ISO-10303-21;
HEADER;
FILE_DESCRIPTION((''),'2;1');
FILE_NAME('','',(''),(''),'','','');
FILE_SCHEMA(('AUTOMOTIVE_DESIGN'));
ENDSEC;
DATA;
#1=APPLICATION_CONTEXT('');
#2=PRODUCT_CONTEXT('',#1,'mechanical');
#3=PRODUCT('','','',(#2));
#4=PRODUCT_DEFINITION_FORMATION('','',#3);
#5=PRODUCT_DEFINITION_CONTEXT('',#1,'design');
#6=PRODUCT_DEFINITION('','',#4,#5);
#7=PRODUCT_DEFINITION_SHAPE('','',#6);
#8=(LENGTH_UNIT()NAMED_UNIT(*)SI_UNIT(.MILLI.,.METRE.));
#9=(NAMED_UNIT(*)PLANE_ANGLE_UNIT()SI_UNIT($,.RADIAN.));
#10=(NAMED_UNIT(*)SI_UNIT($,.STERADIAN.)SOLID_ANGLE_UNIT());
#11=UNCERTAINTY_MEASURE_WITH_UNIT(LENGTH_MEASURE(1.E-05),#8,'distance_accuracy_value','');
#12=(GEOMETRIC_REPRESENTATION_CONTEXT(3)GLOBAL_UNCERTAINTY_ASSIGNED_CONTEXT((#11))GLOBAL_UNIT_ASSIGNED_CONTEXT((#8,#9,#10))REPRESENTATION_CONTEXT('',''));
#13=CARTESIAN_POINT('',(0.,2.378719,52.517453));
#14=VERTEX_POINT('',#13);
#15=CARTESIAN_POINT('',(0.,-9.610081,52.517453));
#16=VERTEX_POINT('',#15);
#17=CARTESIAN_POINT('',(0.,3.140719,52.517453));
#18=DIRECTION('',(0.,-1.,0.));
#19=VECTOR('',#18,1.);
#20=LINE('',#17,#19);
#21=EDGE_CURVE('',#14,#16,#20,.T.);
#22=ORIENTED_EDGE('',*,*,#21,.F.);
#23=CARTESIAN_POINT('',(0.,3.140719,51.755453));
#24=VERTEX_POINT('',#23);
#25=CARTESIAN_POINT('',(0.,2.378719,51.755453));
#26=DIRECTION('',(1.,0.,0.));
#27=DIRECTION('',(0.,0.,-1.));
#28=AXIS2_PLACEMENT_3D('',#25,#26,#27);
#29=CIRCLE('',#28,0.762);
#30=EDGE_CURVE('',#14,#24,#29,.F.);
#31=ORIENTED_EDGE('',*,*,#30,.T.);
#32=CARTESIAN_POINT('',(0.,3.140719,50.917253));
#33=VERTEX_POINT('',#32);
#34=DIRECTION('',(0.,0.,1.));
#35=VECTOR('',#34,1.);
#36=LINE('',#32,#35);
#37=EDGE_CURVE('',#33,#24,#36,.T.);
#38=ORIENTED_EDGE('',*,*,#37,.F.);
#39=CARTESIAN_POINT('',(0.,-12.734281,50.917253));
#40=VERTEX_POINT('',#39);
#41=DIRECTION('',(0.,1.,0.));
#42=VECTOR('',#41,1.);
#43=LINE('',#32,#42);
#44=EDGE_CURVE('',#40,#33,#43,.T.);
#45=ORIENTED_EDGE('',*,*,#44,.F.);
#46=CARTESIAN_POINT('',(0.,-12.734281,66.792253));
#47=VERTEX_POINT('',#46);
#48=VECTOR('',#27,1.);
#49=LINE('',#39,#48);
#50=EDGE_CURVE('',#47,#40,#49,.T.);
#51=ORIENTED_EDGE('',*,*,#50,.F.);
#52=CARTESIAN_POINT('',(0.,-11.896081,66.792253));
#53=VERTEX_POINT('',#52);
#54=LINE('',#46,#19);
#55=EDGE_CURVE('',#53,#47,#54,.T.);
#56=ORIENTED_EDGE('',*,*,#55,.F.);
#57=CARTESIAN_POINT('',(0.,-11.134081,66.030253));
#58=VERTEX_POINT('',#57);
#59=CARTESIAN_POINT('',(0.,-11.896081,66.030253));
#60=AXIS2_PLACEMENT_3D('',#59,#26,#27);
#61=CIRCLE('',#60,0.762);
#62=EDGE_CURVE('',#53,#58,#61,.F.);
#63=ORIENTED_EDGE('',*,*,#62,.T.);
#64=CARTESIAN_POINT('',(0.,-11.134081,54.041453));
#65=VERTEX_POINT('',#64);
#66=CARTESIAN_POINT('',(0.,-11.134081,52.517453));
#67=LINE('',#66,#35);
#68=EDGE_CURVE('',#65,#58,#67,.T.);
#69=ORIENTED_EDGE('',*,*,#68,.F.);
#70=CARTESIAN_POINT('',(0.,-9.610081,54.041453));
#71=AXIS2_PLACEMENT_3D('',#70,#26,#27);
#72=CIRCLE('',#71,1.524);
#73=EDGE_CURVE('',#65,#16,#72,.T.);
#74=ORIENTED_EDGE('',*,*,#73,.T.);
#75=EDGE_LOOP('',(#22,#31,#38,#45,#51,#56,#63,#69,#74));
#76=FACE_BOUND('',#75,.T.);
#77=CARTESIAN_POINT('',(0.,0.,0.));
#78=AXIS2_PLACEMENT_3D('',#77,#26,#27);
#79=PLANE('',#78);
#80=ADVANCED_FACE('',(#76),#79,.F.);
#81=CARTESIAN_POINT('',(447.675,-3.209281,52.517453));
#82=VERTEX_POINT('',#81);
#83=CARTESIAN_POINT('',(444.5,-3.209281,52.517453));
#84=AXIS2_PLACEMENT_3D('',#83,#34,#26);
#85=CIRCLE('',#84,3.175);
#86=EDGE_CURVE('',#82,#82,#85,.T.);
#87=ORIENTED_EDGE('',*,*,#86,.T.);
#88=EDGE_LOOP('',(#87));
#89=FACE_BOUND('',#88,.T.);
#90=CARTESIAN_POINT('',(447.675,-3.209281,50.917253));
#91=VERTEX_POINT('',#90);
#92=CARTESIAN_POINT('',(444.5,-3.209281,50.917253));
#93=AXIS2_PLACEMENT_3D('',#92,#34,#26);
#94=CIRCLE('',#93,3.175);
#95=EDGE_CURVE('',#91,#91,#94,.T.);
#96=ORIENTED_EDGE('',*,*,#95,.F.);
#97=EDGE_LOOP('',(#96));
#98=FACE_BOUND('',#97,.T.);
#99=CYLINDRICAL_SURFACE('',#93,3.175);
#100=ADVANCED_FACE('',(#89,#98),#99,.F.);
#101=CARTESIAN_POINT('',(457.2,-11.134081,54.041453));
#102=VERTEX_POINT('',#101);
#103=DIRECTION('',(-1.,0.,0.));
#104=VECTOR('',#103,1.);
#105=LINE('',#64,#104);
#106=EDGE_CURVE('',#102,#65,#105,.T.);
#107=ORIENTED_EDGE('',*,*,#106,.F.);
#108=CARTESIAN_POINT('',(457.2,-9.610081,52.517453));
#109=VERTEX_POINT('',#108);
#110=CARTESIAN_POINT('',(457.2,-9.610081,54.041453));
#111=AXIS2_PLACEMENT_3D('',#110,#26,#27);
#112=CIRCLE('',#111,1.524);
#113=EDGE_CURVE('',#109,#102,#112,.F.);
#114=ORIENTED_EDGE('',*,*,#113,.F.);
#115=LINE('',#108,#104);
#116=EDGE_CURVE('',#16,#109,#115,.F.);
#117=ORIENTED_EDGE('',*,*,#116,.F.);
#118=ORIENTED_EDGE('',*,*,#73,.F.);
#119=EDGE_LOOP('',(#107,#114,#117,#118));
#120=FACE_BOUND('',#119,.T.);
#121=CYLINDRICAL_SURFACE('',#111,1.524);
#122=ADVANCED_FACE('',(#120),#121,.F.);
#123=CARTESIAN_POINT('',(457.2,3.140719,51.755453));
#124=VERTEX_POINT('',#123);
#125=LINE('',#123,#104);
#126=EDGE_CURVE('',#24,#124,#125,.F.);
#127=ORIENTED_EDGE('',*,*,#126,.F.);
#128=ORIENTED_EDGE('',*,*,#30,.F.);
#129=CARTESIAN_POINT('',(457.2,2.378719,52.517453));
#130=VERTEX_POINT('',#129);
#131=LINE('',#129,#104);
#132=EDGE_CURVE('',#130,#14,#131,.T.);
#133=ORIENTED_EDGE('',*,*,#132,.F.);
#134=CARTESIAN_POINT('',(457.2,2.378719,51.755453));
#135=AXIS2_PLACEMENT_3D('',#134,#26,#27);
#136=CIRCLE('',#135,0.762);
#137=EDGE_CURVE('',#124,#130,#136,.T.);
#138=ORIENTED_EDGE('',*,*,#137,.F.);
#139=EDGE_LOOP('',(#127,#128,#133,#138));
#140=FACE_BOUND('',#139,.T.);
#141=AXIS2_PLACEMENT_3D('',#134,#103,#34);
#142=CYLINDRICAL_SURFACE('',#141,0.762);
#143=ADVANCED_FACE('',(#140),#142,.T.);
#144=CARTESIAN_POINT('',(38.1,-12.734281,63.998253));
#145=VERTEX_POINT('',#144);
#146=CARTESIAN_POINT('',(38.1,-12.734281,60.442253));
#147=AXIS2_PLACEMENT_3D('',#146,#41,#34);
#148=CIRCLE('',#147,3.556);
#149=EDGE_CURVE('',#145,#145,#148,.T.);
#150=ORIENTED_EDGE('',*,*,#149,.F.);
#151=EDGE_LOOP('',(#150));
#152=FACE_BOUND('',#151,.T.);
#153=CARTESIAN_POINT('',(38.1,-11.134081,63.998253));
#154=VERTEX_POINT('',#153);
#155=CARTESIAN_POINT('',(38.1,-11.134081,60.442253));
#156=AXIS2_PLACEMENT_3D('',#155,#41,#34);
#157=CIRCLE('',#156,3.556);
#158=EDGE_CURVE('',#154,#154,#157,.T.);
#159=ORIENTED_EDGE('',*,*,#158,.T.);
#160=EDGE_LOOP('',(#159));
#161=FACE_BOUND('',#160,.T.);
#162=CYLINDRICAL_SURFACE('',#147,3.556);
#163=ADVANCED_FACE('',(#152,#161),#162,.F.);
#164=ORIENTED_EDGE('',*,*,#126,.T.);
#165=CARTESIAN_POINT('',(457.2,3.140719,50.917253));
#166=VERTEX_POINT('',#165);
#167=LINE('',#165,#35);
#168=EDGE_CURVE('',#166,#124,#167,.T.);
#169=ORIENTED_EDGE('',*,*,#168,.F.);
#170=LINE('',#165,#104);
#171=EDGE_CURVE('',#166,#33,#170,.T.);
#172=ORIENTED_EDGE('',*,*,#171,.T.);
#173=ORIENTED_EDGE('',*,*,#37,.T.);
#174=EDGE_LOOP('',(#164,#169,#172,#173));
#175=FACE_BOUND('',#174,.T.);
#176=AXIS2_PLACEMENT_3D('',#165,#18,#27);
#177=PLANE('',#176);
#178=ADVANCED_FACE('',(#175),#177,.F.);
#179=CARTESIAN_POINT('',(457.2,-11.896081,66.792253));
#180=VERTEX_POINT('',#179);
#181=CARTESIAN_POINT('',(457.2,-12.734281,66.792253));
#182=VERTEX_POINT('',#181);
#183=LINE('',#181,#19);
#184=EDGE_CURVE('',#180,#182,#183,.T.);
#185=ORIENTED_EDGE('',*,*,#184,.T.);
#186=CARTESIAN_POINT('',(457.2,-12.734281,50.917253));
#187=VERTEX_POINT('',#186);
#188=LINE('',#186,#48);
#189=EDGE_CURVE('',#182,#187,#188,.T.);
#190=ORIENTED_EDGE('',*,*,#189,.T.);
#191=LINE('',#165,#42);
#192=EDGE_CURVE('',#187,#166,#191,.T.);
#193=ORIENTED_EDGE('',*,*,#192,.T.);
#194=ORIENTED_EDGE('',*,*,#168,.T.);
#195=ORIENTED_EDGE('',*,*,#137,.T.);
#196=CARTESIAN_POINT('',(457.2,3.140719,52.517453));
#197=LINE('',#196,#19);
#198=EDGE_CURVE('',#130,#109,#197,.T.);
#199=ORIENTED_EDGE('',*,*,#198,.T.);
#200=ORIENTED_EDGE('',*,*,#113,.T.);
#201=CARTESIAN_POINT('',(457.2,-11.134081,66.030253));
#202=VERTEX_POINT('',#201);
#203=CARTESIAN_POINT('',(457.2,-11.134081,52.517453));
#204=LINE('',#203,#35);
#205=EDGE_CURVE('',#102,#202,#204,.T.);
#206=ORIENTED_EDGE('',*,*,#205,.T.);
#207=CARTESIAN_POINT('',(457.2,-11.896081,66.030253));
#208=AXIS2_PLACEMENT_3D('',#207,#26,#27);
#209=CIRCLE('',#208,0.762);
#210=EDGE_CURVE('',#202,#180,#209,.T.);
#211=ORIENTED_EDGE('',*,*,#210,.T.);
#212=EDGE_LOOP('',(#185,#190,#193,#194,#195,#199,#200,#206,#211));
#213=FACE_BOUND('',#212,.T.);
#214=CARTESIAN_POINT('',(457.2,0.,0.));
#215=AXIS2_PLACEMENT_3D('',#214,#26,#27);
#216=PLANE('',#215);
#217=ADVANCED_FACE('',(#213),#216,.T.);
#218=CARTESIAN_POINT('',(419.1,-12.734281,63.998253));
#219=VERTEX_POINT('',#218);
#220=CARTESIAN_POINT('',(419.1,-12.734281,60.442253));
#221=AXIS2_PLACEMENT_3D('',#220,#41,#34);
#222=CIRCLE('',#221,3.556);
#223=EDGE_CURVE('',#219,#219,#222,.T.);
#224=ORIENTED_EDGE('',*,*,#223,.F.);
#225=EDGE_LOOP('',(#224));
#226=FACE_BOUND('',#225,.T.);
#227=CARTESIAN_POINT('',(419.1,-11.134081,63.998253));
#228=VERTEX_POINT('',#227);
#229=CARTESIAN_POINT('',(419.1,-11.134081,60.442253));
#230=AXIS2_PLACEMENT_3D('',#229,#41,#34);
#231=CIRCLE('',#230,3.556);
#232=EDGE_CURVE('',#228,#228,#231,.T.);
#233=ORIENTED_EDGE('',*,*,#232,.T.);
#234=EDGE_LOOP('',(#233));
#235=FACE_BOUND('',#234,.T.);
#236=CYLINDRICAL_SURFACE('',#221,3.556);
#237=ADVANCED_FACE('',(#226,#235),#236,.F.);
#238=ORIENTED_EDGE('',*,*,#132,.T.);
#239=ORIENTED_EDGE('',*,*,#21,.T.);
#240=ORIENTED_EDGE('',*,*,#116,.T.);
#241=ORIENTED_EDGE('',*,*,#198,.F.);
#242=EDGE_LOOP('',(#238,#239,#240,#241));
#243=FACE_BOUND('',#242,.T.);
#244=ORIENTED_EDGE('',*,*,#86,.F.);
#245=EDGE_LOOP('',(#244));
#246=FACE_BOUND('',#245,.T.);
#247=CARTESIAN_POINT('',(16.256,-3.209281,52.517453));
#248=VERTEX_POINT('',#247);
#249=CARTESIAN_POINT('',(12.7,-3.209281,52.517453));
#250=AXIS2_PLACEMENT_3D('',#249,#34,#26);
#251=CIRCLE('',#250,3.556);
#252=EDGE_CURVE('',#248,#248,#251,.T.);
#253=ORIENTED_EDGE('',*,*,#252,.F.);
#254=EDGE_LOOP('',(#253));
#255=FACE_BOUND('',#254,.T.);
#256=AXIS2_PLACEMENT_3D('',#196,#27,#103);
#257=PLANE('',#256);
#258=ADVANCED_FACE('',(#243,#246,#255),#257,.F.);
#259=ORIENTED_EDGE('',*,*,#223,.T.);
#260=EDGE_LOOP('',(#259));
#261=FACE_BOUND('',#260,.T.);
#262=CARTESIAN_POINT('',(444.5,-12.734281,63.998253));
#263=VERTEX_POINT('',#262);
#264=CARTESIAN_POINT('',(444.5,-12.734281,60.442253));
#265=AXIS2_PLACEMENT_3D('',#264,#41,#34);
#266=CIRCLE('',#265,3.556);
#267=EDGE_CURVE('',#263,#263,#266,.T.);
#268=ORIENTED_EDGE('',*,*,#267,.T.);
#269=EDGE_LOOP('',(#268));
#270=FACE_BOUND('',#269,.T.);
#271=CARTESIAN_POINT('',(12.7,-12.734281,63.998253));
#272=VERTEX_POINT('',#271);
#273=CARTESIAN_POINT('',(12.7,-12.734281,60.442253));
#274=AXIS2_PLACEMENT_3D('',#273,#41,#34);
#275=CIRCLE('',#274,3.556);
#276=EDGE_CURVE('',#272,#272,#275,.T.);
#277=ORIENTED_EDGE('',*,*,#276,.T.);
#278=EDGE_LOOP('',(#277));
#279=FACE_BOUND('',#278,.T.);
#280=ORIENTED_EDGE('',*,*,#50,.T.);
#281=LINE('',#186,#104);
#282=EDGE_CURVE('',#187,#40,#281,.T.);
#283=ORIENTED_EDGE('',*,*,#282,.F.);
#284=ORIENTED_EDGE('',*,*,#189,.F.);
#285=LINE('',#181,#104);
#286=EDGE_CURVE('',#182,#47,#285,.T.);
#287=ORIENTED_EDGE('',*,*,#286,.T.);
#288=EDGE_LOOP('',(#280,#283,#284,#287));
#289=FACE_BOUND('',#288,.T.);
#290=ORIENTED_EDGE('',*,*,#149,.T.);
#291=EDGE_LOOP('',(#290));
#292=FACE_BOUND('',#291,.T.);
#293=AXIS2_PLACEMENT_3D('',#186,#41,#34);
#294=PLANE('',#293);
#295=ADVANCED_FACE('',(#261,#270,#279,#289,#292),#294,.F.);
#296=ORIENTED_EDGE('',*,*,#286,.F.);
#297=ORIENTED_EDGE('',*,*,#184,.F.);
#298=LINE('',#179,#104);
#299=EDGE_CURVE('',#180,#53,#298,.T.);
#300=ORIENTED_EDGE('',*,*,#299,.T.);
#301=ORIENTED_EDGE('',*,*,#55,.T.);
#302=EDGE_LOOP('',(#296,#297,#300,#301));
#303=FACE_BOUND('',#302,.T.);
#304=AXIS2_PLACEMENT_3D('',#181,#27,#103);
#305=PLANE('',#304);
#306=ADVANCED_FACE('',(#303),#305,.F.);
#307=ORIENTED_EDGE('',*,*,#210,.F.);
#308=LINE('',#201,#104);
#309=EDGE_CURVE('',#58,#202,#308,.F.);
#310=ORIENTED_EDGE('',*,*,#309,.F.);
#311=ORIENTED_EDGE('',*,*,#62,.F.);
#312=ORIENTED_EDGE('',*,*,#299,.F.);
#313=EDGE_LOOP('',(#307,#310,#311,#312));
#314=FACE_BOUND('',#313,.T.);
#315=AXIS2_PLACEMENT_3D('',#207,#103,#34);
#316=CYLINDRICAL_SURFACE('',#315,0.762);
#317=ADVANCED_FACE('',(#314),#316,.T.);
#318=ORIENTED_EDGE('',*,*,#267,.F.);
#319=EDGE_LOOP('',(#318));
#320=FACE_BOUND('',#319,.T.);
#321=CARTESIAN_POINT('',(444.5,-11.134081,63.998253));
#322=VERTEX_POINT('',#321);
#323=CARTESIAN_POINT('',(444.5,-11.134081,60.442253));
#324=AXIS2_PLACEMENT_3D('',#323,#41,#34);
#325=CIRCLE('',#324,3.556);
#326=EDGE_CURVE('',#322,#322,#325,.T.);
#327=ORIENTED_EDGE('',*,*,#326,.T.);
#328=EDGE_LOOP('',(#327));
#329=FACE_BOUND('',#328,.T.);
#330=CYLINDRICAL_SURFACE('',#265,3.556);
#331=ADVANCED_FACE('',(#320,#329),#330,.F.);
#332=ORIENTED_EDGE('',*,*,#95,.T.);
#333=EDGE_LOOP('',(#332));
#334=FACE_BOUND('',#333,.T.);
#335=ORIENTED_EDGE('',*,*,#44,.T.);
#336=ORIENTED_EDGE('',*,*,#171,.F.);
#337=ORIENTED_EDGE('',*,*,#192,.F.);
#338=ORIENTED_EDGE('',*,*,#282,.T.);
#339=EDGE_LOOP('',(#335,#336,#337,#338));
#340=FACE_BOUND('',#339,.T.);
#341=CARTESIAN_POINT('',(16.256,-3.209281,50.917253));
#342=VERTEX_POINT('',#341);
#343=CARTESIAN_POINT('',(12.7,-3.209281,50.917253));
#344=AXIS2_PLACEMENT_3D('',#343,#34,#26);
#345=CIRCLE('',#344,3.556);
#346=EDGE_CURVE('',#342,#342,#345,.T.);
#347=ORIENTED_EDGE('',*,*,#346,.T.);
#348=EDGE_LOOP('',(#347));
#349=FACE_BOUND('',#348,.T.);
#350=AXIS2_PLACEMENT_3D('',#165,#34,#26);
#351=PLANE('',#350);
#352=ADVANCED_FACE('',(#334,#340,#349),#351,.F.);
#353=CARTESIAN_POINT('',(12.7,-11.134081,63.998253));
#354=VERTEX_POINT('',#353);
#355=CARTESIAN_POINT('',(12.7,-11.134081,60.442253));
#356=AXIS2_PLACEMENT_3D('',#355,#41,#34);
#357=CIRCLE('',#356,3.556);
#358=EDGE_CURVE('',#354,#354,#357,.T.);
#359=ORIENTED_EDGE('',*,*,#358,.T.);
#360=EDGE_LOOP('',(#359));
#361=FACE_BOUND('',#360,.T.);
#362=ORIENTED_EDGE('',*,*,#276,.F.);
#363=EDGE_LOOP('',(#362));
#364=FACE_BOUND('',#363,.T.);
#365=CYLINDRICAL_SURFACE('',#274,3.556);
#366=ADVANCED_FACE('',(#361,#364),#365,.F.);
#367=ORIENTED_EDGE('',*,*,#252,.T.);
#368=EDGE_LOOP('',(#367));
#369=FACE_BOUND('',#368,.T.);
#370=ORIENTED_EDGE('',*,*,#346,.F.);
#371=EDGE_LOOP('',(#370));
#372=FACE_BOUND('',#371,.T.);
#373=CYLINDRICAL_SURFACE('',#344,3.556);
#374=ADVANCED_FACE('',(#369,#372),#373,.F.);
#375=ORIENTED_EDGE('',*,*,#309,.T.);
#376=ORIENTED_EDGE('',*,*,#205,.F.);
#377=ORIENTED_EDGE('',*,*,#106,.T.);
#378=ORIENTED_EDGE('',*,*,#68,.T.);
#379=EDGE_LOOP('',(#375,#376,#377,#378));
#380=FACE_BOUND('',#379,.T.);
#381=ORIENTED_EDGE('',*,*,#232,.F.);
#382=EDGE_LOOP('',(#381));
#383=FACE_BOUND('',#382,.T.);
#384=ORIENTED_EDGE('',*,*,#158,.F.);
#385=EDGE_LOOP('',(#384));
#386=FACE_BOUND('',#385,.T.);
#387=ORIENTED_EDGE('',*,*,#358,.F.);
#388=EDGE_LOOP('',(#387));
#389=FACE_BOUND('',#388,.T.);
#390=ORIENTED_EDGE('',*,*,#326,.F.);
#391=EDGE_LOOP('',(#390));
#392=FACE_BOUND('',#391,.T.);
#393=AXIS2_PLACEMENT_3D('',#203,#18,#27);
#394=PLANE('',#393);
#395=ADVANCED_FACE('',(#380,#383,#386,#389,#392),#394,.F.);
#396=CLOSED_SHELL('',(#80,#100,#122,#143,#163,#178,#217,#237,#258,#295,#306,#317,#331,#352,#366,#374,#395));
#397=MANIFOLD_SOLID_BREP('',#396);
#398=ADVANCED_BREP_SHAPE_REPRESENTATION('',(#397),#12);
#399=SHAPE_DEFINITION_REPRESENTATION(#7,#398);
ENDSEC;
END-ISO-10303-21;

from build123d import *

# Parameters (mm, degrees)
BOSS_EXTRUDE1_DEPTH = 457.2
FILLET1_R           = 0.762
FILLET2_R           = 1.524
SKETCH2_R           = 3.556
CUT_EXTRUDE1_DEPTH  = 463.273528266
SKETCH3_R           = 3.556
SKETCH3_R_2         = 3.175
CUT_EXTRUDE2_DEPTH  = 458.600012933


with BuildPart() as part:
    # Sketch1 → Boss-Extrude1 (new body)
    with BuildSketch(Plane(origin=(0, 0, 0), x_dir=(0, 0, -1), z_dir=(1, 0, 0))):
        Polygon((-50.917252699, 3.14071867), (-50.917252699, -12.73428133), (-66.792252699, -12.73428133), (-66.792252699, -11.13408133), (-52.517452699, -11.13408133), (-52.517452699, 3.14071867), align=None)
    extrude(amount=BOSS_EXTRUDE1_DEPTH)

    # Fillet1
    fillet1_edges = [part.edges().sort_by_distance(p)[0] for p in [
        (228.6, -11.13408133, 66.792252699),
        (228.6, 3.14071867, 52.517452699),
    ]]
    fillet(fillet1_edges, radius=FILLET1_R)

    # Fillet2
    fillet2_edges = [part.edges().sort_by_distance(p)[0] for p in [
        (228.6, -11.13408133, 52.517452699),
    ]]
    fillet(fillet2_edges, radius=FILLET2_R)

    # Sketch2 → Cut-Extrude1 (cut, through all)
    with BuildSketch(Plane(origin=(0, -11.13408133, 0), x_dir=(1, 0, 0), z_dir=(0, 1, 0))):
        with Locations(Location((444.5, -60.442252699, 0), (0, 0, 270))):
            Circle(SKETCH2_R)
        with Locations(Location((419.1, -60.442252699, 0), (0, 0, 270))):
            Circle(SKETCH2_R)
        with Locations(Location((12.7, -60.442252699, 0), (0, 0, 270))):
            Circle(SKETCH2_R)
        with Locations(Location((38.1, -60.442252699, 0), (0, 0, 270))):
            Circle(SKETCH2_R)
    extrude(amount=-CUT_EXTRUDE1_DEPTH, mode=Mode.SUBTRACT)

    # Sketch3 → Cut-Extrude2 (cut, through all)
    with BuildSketch(Plane.XY.offset(52.517452699)):
        with Locations((12.7, -3.20928133)):
            Circle(SKETCH3_R)
        with Locations((444.5, -3.20928133)):
            Circle(SKETCH3_R_2)
    extrude(amount=-CUT_EXTRUDE2_DEPTH, mode=Mode.SUBTRACT)


solid = part.part
